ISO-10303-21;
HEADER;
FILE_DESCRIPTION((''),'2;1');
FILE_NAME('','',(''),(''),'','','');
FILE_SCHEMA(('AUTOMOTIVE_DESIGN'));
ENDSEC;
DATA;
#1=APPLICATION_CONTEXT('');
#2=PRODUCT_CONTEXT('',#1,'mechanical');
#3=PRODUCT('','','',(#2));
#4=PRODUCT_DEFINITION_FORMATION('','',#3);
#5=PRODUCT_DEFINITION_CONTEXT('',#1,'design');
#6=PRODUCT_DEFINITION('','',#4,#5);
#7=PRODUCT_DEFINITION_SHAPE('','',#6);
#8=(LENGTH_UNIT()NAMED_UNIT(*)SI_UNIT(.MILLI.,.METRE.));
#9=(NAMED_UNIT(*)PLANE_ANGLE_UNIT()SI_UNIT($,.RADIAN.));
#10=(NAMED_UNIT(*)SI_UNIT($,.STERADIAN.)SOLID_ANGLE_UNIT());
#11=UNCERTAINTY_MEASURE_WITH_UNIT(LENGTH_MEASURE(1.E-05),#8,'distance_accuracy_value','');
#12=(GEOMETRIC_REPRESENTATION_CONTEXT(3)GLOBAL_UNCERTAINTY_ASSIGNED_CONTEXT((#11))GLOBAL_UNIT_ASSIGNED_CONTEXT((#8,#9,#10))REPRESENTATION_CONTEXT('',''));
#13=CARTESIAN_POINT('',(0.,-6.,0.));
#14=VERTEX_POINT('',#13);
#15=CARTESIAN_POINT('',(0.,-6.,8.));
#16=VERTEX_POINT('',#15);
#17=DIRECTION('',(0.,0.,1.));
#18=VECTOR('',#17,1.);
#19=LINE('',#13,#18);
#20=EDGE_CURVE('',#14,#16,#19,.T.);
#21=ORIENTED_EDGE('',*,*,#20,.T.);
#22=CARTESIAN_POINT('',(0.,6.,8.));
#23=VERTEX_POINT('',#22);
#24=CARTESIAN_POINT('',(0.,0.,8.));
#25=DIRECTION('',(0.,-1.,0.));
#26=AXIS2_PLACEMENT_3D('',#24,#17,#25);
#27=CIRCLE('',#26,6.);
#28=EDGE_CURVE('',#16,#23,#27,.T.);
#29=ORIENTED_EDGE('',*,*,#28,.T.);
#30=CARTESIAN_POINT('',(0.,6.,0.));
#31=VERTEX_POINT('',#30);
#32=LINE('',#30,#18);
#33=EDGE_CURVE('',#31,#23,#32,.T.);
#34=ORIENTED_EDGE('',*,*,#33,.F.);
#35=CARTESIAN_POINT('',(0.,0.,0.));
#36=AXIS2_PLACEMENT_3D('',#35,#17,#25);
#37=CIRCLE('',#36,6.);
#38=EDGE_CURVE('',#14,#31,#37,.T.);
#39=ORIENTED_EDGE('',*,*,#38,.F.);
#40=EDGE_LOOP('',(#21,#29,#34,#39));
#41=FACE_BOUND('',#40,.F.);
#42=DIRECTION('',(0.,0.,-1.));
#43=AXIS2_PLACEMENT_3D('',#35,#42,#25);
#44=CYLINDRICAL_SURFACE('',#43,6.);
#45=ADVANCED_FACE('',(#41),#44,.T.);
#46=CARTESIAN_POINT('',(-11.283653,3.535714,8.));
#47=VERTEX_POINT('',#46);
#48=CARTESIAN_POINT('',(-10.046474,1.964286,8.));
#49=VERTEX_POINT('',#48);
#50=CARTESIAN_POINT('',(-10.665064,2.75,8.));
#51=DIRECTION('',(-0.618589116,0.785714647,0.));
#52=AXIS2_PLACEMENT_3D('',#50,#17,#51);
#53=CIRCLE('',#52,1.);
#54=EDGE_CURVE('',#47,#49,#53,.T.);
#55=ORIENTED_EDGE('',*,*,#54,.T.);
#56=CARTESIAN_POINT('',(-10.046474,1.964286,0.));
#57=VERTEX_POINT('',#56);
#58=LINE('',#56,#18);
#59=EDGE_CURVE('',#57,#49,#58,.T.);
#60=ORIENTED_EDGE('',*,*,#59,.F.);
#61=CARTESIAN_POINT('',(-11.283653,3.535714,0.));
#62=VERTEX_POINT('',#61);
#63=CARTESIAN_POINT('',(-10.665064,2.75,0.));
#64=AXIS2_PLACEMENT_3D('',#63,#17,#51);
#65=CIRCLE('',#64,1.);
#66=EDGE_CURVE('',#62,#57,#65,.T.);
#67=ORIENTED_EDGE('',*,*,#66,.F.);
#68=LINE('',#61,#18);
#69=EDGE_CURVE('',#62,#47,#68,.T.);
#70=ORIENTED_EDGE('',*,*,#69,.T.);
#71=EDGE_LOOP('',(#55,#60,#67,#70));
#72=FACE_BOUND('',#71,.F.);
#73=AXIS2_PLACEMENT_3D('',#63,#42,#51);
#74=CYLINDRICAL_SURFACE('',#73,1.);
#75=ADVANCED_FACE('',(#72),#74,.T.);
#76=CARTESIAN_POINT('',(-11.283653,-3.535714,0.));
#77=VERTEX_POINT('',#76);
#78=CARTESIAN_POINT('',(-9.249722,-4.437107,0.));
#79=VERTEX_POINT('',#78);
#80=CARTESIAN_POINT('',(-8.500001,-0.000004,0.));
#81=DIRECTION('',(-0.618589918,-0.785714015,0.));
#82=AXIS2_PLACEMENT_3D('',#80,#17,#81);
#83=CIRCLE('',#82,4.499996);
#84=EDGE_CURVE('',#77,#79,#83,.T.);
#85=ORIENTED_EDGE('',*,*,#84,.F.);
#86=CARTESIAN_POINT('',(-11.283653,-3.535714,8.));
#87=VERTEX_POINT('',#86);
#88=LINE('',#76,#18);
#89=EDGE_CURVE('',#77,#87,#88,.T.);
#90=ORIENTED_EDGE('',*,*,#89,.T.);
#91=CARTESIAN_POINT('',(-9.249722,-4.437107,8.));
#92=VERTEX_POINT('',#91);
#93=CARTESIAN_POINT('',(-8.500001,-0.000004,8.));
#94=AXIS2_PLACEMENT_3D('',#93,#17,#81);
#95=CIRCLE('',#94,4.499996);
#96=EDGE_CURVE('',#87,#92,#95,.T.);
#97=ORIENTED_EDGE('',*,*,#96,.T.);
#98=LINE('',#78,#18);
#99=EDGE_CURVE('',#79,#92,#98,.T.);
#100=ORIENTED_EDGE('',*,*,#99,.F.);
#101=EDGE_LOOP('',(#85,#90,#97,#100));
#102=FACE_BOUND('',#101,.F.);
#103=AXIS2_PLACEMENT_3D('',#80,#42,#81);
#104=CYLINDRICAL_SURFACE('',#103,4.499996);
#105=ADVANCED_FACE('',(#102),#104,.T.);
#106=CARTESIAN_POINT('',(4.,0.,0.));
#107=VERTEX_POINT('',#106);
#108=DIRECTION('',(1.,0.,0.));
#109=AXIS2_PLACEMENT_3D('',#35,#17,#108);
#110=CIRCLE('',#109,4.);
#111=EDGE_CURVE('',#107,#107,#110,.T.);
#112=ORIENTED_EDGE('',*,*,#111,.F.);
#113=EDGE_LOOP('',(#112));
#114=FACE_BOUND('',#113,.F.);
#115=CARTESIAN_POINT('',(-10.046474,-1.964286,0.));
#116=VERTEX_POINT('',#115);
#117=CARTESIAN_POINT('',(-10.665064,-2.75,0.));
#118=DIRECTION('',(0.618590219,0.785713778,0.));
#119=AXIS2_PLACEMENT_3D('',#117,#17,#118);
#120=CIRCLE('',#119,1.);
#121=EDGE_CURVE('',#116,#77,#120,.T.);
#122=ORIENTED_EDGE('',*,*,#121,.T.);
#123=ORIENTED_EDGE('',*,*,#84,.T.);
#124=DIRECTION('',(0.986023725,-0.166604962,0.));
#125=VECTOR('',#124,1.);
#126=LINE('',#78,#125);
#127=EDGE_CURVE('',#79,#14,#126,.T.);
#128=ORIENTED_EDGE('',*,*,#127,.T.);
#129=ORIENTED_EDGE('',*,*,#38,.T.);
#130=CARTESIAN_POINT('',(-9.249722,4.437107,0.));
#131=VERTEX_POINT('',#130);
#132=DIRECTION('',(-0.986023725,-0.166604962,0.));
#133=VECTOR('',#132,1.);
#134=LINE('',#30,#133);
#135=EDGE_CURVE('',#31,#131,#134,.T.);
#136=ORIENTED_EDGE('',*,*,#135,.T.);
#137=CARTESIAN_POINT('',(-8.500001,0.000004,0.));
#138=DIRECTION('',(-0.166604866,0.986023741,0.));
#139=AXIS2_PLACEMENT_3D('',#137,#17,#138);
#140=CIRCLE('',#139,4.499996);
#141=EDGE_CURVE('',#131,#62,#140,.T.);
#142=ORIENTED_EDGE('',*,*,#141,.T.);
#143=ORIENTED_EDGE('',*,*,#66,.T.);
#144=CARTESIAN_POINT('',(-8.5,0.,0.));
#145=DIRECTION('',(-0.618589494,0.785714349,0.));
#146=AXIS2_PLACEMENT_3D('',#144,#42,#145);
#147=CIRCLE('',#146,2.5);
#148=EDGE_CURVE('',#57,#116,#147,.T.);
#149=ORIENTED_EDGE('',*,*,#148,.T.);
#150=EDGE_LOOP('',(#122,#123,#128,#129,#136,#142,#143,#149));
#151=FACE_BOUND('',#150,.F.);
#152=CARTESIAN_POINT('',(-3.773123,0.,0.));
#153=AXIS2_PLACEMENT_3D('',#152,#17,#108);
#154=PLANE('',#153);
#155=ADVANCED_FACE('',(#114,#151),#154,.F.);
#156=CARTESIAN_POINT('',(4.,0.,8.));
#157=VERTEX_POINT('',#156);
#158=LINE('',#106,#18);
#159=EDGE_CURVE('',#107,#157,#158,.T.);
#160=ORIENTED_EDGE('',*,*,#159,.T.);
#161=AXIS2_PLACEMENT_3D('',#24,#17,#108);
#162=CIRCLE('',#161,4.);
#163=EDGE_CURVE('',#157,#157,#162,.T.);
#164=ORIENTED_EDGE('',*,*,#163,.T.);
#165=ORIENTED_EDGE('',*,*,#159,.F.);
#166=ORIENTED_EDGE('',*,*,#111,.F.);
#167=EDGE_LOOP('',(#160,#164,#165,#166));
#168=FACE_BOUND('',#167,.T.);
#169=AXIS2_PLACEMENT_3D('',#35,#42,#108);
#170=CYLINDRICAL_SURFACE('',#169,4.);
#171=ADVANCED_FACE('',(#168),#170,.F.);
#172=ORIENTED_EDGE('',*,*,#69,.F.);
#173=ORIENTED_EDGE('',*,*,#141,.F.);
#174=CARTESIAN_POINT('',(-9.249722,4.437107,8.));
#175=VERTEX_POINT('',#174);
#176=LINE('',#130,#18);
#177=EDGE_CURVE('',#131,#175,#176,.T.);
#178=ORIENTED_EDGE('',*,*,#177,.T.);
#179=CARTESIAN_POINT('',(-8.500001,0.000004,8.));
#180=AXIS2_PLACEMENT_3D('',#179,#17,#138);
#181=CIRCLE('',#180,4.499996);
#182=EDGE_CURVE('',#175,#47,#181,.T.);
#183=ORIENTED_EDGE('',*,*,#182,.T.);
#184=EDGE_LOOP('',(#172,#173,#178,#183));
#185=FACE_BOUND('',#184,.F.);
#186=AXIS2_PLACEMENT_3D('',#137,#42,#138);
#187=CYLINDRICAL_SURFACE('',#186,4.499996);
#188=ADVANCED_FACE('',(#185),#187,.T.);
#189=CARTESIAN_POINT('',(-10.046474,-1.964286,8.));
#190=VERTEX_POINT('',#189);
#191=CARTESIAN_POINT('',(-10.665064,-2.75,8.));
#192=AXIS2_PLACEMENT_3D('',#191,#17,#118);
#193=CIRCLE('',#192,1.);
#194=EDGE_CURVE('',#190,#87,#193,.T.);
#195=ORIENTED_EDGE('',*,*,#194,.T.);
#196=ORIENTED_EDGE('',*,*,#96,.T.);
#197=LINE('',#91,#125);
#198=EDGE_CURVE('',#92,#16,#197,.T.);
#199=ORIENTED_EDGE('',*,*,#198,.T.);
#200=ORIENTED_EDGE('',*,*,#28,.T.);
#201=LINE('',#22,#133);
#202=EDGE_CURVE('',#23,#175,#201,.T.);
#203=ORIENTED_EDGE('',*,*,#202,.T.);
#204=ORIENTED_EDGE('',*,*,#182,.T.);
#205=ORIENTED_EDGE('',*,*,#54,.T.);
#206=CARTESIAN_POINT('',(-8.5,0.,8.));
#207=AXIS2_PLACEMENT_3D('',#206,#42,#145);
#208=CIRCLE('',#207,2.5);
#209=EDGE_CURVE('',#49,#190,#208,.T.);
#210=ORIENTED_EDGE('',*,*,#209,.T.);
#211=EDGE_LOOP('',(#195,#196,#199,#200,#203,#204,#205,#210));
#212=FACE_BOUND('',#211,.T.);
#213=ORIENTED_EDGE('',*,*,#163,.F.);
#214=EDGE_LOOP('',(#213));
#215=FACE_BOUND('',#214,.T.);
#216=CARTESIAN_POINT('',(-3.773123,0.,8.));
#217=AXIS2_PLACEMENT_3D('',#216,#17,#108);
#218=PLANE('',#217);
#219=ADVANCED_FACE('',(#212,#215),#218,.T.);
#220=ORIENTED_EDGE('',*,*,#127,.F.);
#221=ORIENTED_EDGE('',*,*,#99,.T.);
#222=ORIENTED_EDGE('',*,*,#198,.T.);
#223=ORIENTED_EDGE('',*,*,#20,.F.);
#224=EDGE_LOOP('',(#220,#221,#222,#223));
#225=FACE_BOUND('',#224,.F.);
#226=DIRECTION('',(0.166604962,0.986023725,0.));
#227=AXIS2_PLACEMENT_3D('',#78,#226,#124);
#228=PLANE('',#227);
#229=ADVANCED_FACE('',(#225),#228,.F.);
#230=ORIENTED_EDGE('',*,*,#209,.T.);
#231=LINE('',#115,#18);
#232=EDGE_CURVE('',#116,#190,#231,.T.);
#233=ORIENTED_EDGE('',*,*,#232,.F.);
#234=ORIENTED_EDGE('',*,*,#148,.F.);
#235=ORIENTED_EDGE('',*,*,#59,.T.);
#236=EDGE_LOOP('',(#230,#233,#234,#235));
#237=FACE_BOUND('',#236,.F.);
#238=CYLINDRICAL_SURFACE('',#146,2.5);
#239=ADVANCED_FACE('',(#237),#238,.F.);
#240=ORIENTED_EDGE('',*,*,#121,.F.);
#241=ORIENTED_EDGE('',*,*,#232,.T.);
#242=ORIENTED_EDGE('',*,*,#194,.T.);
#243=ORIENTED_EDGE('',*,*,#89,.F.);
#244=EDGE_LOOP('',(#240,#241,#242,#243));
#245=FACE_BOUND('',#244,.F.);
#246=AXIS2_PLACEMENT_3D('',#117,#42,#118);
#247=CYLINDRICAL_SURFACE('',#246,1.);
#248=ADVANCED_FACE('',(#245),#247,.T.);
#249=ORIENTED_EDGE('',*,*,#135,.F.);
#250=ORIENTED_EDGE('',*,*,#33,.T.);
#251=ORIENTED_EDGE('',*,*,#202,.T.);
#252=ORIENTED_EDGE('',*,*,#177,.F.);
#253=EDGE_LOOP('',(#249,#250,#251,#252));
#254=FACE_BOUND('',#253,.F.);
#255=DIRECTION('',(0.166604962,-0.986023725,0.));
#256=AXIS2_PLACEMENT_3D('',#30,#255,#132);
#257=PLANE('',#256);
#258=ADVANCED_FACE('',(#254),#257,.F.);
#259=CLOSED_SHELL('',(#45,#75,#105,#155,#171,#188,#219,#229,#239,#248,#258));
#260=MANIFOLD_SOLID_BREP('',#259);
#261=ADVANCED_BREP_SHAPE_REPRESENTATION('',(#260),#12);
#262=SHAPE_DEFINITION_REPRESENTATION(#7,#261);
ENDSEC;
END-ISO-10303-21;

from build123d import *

# Parameters (mm, degrees)
F0_R     = 4
F1_DEPTH = 8


with BuildPart() as f1:
    # F0 (on Top) → F1 (new body)
    with BuildSketch(Plane.XY):
        with BuildLine():
            Line((-9.249722, -4.437107), (0, -6))
            ThreePointArc((0, -6), (6, 0), (0, 6))
            Line((0, 6), (-9.249722, 4.437107))
            ThreePointArc((-9.249722, 4.437107), (-10.32327, 4.114084), (-11.283653, 3.535714))
            ThreePointArc((-11.283653, 3.535714), (-11.450778, 2.13141), (-10.046474, 1.964286))
            ThreePointArc((-10.046474, 1.964286), (-6, 0), (-10.046474, -1.964286))
            ThreePointArc((-10.046474, -1.964286), (-11.450778, -2.13141), (-11.283653, -3.535714))
            ThreePointArc((-11.283653, -3.535714), (-10.32327, -4.114084), (-9.249722, -4.437107))
        make_face()
        Circle(F0_R, mode=Mode.SUBTRACT)
    extrude(amount=F1_DEPTH)


solid = f1.part
